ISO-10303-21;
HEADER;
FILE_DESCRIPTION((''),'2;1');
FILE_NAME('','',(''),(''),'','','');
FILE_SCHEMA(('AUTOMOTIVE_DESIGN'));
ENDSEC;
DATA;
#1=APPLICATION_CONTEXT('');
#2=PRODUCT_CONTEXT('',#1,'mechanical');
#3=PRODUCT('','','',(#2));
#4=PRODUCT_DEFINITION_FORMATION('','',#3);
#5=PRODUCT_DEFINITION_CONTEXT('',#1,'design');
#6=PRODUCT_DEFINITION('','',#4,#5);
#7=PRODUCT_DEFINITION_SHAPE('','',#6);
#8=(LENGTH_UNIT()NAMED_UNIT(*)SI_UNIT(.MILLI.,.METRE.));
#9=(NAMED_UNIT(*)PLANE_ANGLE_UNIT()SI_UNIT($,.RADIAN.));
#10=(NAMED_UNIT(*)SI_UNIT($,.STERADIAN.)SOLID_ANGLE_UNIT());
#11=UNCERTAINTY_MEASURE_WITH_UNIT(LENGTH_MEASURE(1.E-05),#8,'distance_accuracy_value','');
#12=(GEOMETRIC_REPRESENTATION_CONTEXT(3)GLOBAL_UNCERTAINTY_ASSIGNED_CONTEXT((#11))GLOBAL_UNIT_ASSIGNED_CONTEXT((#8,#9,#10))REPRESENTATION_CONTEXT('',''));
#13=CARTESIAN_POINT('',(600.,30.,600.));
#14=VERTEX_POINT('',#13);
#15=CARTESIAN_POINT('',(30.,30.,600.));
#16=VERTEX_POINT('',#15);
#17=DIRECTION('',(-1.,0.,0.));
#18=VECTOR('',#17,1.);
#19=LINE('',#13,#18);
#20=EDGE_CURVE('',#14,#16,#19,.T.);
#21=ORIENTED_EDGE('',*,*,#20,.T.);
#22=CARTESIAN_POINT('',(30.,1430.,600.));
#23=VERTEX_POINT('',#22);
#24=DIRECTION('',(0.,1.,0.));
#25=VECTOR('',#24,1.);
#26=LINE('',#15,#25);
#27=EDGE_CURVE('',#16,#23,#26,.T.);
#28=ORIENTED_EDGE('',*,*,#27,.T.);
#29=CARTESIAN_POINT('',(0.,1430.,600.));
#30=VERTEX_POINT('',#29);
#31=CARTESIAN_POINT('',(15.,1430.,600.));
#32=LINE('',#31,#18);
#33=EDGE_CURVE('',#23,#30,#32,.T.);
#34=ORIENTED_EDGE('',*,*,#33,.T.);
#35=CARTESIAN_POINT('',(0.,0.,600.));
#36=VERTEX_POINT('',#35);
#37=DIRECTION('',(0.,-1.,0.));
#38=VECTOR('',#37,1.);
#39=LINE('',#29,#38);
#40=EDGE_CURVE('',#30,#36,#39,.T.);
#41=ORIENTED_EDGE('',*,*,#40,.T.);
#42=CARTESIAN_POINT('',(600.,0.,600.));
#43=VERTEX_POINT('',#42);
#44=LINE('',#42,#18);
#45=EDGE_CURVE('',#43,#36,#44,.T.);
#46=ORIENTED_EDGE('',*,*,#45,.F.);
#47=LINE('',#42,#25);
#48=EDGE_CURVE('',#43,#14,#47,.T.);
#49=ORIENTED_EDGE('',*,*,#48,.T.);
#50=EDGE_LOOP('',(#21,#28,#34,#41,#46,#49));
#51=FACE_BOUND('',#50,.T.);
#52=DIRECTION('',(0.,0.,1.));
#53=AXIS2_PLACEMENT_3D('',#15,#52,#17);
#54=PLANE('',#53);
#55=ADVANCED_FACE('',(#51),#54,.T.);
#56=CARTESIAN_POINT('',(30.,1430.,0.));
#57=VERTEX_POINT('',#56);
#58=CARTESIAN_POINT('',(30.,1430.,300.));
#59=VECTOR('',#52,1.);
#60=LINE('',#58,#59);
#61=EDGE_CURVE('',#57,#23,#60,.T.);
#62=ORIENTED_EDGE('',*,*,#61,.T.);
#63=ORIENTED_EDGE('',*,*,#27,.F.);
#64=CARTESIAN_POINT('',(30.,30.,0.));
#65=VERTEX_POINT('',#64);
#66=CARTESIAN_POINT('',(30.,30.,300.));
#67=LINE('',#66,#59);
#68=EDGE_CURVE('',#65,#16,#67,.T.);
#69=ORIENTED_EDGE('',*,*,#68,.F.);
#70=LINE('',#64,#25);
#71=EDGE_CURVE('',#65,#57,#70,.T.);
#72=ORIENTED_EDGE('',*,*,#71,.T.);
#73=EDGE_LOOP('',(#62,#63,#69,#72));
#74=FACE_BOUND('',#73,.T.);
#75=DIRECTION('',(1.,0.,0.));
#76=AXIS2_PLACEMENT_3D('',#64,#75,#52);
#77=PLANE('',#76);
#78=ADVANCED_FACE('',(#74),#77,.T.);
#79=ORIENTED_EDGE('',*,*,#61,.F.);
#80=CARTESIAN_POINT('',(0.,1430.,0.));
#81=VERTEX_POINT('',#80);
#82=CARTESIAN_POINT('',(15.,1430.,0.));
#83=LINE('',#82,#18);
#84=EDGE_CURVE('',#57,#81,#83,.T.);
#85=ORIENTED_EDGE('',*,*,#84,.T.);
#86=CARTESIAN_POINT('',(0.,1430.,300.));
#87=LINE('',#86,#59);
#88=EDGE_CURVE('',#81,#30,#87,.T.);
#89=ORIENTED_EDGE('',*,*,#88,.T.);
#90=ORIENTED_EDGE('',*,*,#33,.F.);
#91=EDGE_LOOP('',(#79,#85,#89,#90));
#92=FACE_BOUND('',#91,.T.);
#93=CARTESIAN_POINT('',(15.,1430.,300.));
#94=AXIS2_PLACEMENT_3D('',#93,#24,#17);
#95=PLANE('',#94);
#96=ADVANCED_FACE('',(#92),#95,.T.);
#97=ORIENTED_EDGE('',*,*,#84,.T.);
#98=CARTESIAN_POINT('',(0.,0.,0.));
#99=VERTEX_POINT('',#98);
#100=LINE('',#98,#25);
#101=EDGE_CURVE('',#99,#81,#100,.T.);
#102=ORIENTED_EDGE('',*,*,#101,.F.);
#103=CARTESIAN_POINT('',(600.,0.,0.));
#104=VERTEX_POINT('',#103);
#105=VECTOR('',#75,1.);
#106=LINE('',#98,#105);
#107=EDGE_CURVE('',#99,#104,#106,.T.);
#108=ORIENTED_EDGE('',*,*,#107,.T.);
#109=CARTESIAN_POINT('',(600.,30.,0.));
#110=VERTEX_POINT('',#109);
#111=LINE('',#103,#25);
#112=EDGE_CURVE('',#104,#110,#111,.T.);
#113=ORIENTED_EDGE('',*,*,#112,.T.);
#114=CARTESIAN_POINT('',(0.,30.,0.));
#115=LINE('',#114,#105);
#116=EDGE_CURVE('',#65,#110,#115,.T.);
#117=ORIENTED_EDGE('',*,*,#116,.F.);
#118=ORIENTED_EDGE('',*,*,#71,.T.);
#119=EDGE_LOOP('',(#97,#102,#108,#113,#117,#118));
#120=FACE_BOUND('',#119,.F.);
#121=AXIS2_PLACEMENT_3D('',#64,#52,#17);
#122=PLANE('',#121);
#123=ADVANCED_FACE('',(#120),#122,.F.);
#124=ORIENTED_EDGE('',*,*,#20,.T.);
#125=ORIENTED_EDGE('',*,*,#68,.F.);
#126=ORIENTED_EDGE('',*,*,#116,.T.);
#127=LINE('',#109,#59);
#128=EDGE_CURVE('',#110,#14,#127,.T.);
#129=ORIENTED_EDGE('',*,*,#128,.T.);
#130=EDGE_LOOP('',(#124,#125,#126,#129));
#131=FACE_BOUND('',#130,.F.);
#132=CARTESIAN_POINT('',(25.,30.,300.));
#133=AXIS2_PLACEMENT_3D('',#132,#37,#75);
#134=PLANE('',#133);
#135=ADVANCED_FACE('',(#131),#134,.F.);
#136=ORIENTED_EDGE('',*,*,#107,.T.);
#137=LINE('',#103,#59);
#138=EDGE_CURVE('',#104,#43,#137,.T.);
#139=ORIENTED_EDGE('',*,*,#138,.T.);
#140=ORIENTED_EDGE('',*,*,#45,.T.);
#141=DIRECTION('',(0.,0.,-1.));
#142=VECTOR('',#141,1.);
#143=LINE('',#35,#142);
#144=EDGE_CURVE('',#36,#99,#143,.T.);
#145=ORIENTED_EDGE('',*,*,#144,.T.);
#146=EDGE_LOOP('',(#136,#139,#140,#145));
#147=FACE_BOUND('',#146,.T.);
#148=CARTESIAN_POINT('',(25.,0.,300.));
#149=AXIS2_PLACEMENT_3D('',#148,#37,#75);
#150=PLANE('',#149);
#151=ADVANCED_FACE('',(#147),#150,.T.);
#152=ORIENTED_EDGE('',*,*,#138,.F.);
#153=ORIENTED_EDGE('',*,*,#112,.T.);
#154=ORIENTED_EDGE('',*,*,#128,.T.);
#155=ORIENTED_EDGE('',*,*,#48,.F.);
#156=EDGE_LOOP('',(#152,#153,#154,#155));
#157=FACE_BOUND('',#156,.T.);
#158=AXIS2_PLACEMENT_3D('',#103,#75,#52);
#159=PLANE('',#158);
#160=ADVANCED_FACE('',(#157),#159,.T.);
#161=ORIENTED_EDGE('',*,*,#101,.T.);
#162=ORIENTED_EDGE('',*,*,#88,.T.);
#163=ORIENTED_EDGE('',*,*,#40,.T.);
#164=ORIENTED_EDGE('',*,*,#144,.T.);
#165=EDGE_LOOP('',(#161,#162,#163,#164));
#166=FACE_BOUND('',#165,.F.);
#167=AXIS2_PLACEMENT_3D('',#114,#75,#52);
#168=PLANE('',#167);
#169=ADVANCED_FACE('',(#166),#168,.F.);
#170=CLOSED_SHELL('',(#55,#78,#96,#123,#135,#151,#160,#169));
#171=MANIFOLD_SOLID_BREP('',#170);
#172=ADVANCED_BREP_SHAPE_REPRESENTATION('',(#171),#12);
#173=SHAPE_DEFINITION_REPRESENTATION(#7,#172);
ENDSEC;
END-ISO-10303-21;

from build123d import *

# Parameters (mm, degrees)
F0_W     = 500
F0_H     = 50
F0_H_2   = 224.9779105186
F0_H_3   = 225.0220894814
F1_DEPTH = 30
F2_W     = 30
F2_H     = 600
F3_DEPTH = 1400


with BuildPart() as f1:
    # F0 (on Front) → F1 (new body)
    with BuildSketch(Plane.XZ):
        Polygon((0, 600), (0, 0), (50, 0), (50, 50), (50, 275.0220894814), (50, 325.0220894814), (50, 550), (50, 600), align=None)
        with Locations((300, 575)):
            Rectangle(F0_W, F0_H)
        with Locations((300, 437.5110447407)):
            Rectangle(F0_W, F0_H_2)
        with Locations((300, 300.0220894814)):
            Rectangle(F0_W, F0_H)
        with Locations((300, 162.5110447407)):
            Rectangle(F0_W, F0_H_3)
        with Locations((300, 25)):
            Rectangle(F0_W, F0_H)
        Polygon((550, 50), (550, 0), (600, 0), (600, 600), (550, 600), (550, 550), (550, 325.0220894814), (550, 275.0220894814), align=None)
    extrude(amount=-F1_DEPTH)

    # F2 (on face) → F3 (join)
    with BuildSketch(Plane(origin=(0, 30, 0), x_dir=(-1, 0, 0), z_dir=(0, 1, 0))):
        with Locations((-15, 300)):
            Rectangle(F2_W, F2_H)
    extrude(amount=F3_DEPTH)


solid = f1.part
